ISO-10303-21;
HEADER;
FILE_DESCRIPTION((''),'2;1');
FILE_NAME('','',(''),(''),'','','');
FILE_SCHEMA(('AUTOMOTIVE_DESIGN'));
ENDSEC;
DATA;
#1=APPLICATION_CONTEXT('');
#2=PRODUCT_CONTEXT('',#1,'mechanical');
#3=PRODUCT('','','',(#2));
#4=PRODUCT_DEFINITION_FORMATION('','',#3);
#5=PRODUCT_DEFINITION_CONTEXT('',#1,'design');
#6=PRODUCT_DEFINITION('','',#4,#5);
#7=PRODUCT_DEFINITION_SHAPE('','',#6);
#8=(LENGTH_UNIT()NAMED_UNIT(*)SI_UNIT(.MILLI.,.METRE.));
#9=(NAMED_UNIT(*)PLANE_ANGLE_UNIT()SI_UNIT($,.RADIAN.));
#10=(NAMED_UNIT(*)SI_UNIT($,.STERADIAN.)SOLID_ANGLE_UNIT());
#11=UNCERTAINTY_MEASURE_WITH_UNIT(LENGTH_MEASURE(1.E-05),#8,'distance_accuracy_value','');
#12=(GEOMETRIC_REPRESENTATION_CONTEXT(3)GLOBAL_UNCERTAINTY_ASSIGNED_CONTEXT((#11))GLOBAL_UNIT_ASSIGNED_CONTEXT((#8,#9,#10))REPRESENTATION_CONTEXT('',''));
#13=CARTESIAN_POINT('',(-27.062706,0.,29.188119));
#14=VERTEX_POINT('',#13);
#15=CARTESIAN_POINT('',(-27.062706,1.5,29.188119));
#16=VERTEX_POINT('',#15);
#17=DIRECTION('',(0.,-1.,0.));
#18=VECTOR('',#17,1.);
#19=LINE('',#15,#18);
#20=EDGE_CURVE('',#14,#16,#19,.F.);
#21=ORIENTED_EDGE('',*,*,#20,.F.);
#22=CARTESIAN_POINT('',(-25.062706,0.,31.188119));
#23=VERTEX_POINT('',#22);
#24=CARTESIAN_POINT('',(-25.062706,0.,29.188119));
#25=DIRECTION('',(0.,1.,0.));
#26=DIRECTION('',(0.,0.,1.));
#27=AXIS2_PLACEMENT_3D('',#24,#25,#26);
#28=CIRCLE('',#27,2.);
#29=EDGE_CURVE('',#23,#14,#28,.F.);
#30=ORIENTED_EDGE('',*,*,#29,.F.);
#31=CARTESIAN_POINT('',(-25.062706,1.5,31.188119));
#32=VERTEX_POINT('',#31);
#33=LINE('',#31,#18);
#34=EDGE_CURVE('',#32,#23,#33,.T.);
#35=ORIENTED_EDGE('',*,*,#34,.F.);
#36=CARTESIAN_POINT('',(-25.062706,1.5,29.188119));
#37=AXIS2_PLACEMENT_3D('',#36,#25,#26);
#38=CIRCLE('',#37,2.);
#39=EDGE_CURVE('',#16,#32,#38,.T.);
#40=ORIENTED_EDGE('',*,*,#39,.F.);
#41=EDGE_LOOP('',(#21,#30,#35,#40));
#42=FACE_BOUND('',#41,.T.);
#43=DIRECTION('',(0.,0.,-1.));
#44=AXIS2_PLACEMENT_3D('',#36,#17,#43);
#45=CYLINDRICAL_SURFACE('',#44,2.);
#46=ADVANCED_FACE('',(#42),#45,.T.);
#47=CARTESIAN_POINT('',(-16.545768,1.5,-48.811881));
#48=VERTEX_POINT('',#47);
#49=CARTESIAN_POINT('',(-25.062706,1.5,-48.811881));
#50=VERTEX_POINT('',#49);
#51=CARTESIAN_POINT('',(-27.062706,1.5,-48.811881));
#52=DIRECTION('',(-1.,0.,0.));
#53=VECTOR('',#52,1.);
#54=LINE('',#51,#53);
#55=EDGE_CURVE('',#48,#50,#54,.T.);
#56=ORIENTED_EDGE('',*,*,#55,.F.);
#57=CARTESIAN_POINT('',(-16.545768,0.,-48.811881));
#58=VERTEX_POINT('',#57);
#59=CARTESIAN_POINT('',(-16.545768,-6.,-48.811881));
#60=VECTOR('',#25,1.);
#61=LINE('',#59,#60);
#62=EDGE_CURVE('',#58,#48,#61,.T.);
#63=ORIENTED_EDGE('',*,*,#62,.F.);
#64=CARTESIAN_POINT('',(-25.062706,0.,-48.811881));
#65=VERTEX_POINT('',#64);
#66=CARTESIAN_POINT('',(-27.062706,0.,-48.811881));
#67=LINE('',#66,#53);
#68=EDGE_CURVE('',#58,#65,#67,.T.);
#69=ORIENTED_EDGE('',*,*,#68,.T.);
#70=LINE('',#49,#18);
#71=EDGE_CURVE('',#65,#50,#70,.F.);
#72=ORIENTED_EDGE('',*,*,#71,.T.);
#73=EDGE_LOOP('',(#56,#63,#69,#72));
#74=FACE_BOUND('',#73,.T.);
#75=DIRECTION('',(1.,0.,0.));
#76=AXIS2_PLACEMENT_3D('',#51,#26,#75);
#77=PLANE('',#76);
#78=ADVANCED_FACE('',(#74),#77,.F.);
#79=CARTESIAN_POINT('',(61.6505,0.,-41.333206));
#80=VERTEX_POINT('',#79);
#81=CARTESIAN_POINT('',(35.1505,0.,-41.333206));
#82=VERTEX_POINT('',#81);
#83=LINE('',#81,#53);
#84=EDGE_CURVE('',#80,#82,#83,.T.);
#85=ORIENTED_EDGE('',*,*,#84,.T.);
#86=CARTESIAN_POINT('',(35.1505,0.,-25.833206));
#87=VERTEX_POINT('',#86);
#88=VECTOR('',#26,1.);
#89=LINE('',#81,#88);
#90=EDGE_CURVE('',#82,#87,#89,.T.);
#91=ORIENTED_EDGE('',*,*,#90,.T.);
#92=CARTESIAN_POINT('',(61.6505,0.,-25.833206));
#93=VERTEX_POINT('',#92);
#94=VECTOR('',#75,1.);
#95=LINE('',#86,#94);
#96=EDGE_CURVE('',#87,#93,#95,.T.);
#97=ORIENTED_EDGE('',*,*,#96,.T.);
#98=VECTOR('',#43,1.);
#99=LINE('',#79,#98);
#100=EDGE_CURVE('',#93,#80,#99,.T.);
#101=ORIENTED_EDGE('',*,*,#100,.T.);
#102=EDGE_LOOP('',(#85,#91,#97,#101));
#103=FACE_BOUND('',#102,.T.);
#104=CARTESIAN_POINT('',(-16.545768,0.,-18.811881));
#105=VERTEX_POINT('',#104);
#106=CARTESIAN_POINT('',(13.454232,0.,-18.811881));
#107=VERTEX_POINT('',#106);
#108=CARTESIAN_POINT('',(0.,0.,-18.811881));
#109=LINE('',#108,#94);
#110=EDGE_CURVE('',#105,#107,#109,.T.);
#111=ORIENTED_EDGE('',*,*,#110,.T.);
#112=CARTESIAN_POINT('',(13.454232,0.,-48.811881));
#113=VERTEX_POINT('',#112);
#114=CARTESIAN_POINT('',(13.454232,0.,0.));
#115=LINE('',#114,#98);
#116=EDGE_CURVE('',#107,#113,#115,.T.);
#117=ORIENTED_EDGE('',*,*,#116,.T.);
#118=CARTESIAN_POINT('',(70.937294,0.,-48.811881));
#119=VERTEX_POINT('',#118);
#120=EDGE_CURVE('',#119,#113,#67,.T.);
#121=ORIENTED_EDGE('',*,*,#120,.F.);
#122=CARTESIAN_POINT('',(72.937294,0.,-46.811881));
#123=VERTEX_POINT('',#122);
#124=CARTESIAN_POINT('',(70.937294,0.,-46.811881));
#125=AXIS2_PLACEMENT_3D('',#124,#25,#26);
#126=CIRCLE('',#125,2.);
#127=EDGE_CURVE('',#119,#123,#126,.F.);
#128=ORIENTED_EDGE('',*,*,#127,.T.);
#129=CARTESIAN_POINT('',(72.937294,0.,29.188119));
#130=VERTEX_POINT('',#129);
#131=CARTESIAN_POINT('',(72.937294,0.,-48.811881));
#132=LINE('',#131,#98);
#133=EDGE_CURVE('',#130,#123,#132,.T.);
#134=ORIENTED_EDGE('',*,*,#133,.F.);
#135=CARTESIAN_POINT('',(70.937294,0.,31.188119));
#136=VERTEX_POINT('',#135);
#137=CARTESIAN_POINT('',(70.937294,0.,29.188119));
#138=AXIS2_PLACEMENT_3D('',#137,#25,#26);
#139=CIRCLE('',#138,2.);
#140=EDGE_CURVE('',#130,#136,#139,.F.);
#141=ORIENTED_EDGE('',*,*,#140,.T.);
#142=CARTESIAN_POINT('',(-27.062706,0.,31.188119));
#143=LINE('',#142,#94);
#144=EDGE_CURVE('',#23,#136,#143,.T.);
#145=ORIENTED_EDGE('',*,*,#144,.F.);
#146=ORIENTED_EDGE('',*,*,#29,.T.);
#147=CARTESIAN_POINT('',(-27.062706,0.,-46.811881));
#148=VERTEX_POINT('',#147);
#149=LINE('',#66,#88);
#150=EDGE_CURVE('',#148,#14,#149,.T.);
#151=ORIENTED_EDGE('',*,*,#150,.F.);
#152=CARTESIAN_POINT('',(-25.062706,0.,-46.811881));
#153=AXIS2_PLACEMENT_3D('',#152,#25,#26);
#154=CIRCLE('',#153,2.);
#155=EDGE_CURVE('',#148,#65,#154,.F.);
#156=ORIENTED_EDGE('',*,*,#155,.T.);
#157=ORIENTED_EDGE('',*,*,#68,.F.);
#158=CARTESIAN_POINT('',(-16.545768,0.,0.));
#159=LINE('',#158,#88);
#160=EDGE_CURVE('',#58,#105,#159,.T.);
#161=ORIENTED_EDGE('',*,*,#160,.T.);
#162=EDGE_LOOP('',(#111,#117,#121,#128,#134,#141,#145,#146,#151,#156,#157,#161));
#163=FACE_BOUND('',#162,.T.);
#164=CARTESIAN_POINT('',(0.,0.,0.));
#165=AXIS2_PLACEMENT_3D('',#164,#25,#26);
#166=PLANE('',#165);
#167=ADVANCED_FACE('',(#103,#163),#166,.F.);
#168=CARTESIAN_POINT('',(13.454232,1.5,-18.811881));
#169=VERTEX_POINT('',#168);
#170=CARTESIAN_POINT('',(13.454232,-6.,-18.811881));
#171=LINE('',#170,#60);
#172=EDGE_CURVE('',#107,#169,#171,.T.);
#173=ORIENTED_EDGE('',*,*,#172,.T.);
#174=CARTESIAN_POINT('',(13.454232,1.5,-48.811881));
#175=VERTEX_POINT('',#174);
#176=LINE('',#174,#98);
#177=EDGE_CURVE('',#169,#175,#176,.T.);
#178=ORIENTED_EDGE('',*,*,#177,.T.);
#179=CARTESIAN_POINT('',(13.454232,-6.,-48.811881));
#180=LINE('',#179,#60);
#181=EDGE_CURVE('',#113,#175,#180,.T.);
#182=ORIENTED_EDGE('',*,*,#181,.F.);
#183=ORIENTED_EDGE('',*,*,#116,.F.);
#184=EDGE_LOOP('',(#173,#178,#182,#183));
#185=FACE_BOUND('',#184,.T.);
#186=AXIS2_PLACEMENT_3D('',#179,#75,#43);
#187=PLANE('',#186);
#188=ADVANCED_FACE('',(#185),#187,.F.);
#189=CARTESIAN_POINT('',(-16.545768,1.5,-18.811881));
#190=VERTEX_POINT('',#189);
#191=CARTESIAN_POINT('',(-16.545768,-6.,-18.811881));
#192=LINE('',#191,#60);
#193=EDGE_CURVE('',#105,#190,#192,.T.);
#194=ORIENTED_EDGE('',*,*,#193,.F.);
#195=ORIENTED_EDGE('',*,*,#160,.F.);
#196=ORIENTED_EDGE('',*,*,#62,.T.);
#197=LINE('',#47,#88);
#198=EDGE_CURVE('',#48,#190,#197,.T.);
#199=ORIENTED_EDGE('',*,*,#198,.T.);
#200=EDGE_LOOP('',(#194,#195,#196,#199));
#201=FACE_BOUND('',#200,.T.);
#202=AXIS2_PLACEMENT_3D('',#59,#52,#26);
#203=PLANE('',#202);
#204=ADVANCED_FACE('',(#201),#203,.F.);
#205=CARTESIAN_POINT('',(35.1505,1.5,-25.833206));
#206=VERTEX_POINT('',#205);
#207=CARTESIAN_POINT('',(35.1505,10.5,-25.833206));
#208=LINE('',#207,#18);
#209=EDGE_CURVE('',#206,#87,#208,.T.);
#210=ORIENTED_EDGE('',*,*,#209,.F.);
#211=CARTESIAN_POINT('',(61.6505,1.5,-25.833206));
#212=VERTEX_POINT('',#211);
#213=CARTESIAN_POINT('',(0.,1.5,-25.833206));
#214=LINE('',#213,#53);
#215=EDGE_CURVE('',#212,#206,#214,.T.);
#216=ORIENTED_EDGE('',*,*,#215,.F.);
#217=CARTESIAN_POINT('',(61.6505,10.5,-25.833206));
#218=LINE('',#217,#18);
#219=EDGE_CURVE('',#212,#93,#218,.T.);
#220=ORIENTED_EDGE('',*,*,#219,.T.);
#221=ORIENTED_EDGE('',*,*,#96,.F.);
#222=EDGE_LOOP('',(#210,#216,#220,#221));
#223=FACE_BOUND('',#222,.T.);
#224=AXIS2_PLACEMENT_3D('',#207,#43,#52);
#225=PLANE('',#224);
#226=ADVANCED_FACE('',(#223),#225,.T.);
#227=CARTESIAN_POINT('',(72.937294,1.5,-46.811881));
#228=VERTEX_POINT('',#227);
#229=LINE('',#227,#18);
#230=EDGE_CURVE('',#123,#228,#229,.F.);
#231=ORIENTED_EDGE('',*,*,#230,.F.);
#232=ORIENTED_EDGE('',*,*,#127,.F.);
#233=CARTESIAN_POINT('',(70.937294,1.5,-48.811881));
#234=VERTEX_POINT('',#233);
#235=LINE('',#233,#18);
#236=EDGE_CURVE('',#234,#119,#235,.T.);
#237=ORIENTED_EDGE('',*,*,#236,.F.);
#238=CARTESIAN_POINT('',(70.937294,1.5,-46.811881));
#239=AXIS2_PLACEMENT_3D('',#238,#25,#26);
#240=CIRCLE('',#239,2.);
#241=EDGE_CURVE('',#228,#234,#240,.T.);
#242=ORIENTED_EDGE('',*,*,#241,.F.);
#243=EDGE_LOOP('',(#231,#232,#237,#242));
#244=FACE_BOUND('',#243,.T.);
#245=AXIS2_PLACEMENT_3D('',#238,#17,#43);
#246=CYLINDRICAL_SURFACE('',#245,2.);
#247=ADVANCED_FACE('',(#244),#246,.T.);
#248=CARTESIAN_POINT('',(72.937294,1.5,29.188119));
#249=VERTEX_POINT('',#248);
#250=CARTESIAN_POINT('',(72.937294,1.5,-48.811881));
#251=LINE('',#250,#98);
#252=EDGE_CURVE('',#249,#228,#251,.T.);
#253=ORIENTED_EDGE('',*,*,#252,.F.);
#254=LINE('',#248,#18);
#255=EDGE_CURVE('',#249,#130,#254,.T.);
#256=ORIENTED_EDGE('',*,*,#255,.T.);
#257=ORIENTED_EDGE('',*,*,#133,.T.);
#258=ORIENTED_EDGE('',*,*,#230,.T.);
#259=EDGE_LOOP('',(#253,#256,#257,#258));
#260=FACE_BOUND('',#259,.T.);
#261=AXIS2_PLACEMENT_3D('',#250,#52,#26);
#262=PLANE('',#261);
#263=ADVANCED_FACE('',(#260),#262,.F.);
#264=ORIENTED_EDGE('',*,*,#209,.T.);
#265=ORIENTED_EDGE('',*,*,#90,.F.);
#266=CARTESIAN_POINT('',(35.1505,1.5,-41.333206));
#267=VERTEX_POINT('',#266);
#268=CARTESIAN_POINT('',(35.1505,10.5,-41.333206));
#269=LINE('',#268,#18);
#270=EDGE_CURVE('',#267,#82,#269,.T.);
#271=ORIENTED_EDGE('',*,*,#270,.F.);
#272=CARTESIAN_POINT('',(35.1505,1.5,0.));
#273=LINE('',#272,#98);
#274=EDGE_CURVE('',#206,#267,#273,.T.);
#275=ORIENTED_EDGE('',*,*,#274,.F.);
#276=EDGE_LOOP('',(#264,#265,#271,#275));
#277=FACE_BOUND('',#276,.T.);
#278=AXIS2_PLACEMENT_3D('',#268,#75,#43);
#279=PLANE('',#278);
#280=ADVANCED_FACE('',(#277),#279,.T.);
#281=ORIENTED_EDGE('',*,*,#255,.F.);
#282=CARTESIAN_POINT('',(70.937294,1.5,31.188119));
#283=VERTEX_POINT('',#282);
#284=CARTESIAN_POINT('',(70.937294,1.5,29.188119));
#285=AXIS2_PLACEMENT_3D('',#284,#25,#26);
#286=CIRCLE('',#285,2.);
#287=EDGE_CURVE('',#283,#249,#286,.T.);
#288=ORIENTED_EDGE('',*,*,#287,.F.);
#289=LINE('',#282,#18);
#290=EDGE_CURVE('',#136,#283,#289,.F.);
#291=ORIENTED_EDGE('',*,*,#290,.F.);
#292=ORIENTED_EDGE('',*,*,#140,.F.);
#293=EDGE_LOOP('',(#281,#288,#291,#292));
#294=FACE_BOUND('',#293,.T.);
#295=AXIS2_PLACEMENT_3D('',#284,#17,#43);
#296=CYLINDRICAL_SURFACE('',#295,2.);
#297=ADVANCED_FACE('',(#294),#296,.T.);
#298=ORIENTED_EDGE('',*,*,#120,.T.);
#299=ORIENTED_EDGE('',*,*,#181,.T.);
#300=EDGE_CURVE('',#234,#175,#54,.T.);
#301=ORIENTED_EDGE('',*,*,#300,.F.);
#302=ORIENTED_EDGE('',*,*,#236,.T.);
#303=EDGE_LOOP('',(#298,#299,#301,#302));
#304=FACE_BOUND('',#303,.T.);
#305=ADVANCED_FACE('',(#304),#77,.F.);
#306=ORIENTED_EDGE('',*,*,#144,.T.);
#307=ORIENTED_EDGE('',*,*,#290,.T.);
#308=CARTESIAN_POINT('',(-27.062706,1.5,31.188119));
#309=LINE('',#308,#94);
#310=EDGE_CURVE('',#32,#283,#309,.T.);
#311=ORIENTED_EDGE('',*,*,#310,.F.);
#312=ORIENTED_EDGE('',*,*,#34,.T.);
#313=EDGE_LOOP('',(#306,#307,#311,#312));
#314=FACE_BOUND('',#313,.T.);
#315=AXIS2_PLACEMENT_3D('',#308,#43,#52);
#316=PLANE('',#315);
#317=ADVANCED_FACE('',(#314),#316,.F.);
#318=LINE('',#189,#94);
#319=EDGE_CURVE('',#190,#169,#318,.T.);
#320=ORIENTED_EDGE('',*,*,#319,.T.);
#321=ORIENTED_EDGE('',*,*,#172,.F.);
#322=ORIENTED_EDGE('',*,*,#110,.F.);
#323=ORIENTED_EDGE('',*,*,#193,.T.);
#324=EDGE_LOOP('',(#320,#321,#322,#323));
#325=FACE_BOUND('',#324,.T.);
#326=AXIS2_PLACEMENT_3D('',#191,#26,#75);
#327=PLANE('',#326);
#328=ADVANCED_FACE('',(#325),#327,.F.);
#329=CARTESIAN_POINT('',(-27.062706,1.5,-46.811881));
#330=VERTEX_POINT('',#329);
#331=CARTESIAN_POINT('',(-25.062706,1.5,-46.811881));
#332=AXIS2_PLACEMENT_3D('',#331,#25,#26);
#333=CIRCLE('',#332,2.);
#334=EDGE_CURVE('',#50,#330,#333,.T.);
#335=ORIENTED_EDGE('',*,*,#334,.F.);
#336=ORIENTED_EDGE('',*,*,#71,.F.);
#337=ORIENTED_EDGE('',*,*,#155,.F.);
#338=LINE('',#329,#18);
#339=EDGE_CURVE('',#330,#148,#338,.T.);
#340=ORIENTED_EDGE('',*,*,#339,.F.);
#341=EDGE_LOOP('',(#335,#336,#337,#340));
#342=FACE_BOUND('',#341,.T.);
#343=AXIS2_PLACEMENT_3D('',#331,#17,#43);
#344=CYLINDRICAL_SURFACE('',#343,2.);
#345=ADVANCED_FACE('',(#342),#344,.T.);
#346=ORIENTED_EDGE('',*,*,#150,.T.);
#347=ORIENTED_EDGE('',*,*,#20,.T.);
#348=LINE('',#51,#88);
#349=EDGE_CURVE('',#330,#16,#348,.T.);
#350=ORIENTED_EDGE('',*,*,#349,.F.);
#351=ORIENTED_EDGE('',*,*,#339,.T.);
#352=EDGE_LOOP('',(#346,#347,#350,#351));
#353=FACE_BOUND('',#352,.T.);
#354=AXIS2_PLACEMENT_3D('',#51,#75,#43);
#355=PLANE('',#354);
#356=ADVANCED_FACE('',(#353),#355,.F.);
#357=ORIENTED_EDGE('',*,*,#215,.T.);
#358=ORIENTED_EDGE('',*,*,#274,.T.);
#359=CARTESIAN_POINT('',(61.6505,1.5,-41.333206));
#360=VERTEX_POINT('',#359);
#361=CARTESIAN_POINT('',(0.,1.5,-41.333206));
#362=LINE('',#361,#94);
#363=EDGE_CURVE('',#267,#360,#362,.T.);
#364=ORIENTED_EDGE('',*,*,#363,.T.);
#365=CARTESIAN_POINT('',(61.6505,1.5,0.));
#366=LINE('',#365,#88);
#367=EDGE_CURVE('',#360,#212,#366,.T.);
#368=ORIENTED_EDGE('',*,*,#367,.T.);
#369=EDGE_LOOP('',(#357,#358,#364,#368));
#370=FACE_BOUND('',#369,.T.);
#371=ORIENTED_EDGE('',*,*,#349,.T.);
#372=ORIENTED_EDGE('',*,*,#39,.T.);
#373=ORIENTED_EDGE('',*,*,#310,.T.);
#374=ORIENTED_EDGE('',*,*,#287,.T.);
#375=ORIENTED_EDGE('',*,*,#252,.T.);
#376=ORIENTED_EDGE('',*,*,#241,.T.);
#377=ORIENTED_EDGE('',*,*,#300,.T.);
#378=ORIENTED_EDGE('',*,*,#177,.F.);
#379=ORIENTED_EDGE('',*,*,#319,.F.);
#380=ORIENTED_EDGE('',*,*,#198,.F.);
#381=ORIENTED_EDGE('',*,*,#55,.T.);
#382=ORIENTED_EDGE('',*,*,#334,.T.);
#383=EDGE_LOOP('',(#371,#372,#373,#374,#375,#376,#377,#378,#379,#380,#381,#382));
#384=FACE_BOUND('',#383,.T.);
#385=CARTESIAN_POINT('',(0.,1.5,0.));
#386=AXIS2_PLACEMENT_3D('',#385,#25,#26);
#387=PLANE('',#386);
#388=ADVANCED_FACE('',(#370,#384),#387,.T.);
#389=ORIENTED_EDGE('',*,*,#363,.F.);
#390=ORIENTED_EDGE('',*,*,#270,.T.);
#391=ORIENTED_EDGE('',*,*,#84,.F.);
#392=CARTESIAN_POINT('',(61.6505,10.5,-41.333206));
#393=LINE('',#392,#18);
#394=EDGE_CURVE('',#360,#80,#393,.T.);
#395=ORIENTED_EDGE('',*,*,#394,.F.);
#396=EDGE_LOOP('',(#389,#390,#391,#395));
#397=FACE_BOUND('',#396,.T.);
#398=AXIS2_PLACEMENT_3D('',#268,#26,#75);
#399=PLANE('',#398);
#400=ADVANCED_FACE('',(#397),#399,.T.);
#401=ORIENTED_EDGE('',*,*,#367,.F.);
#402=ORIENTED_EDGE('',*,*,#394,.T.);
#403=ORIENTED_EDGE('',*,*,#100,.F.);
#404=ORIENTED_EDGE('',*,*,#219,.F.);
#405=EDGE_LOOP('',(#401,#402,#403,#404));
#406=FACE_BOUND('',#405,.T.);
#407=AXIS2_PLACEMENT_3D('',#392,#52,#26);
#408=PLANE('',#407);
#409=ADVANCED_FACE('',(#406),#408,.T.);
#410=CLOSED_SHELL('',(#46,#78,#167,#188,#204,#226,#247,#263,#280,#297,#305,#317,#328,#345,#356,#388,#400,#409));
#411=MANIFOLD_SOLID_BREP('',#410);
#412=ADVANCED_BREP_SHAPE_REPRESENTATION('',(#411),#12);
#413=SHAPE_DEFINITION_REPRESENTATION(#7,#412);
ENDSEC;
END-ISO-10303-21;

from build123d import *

# Parameters (mm, degrees)
SKETCH1_W           = 100
SKETCH1_H           = 80
BOSS_EXTRUDE1_DEPTH = 1.5
FILLET1_R           = 2
SKETCH7_W           = 30
SKETCH7_H           = 30
BUKAAN_DEPTH        = 7.5
SKETCH8_W           = 26.5
SKETCH8_H           = 15.5
CUT_EXTRUDE6_DEPTH  = 10.5


with BuildPart() as part:
    # Sketch1 → Boss-Extrude1 (new body)
    with BuildSketch(Plane(origin=(0, 0, 0), x_dir=(1, 0, 0), z_dir=(0, 1, 0))):
        with Locations((22.937293729, 8.811881188)):
            Rectangle(SKETCH1_W, SKETCH1_H)
    extrude(amount=BOSS_EXTRUDE1_DEPTH)

    # Fillet1
    fillet1_edges = [part.edges().sort_by_distance(p)[0] for p in [
        (-27.062706271, 0.75, -48.811881188),
        (72.937293729, 0.75, -48.811881188),
        (72.937293729, 0.75, 31.188118812),
        (-27.062706271, 0.75, 31.188118812),
    ]]
    fillet(fillet1_edges, radius=FILLET1_R)

    # Sketch7 → bukaan (cut)
    with BuildSketch(Plane(origin=(0, 1.5, 0), x_dir=(1, 0, 0), z_dir=(0, 1, 0))):
        with Locations((-1.545768262, 33.811881188)):
            Rectangle(SKETCH7_W, SKETCH7_H)
    extrude(amount=-BUKAAN_DEPTH, mode=Mode.SUBTRACT)

    # Sketch8 → Cut-Extrude6 (cut)
    with BuildSketch(Plane(origin=(0, 0, 0), x_dir=(1, 0, 0), z_dir=(0, 1, 0))):
        with Locations((48.400499743, 33.583205548)):
            Rectangle(SKETCH8_W, SKETCH8_H)
    extrude(amount=CUT_EXTRUDE6_DEPTH, mode=Mode.SUBTRACT)


solid = part.part
